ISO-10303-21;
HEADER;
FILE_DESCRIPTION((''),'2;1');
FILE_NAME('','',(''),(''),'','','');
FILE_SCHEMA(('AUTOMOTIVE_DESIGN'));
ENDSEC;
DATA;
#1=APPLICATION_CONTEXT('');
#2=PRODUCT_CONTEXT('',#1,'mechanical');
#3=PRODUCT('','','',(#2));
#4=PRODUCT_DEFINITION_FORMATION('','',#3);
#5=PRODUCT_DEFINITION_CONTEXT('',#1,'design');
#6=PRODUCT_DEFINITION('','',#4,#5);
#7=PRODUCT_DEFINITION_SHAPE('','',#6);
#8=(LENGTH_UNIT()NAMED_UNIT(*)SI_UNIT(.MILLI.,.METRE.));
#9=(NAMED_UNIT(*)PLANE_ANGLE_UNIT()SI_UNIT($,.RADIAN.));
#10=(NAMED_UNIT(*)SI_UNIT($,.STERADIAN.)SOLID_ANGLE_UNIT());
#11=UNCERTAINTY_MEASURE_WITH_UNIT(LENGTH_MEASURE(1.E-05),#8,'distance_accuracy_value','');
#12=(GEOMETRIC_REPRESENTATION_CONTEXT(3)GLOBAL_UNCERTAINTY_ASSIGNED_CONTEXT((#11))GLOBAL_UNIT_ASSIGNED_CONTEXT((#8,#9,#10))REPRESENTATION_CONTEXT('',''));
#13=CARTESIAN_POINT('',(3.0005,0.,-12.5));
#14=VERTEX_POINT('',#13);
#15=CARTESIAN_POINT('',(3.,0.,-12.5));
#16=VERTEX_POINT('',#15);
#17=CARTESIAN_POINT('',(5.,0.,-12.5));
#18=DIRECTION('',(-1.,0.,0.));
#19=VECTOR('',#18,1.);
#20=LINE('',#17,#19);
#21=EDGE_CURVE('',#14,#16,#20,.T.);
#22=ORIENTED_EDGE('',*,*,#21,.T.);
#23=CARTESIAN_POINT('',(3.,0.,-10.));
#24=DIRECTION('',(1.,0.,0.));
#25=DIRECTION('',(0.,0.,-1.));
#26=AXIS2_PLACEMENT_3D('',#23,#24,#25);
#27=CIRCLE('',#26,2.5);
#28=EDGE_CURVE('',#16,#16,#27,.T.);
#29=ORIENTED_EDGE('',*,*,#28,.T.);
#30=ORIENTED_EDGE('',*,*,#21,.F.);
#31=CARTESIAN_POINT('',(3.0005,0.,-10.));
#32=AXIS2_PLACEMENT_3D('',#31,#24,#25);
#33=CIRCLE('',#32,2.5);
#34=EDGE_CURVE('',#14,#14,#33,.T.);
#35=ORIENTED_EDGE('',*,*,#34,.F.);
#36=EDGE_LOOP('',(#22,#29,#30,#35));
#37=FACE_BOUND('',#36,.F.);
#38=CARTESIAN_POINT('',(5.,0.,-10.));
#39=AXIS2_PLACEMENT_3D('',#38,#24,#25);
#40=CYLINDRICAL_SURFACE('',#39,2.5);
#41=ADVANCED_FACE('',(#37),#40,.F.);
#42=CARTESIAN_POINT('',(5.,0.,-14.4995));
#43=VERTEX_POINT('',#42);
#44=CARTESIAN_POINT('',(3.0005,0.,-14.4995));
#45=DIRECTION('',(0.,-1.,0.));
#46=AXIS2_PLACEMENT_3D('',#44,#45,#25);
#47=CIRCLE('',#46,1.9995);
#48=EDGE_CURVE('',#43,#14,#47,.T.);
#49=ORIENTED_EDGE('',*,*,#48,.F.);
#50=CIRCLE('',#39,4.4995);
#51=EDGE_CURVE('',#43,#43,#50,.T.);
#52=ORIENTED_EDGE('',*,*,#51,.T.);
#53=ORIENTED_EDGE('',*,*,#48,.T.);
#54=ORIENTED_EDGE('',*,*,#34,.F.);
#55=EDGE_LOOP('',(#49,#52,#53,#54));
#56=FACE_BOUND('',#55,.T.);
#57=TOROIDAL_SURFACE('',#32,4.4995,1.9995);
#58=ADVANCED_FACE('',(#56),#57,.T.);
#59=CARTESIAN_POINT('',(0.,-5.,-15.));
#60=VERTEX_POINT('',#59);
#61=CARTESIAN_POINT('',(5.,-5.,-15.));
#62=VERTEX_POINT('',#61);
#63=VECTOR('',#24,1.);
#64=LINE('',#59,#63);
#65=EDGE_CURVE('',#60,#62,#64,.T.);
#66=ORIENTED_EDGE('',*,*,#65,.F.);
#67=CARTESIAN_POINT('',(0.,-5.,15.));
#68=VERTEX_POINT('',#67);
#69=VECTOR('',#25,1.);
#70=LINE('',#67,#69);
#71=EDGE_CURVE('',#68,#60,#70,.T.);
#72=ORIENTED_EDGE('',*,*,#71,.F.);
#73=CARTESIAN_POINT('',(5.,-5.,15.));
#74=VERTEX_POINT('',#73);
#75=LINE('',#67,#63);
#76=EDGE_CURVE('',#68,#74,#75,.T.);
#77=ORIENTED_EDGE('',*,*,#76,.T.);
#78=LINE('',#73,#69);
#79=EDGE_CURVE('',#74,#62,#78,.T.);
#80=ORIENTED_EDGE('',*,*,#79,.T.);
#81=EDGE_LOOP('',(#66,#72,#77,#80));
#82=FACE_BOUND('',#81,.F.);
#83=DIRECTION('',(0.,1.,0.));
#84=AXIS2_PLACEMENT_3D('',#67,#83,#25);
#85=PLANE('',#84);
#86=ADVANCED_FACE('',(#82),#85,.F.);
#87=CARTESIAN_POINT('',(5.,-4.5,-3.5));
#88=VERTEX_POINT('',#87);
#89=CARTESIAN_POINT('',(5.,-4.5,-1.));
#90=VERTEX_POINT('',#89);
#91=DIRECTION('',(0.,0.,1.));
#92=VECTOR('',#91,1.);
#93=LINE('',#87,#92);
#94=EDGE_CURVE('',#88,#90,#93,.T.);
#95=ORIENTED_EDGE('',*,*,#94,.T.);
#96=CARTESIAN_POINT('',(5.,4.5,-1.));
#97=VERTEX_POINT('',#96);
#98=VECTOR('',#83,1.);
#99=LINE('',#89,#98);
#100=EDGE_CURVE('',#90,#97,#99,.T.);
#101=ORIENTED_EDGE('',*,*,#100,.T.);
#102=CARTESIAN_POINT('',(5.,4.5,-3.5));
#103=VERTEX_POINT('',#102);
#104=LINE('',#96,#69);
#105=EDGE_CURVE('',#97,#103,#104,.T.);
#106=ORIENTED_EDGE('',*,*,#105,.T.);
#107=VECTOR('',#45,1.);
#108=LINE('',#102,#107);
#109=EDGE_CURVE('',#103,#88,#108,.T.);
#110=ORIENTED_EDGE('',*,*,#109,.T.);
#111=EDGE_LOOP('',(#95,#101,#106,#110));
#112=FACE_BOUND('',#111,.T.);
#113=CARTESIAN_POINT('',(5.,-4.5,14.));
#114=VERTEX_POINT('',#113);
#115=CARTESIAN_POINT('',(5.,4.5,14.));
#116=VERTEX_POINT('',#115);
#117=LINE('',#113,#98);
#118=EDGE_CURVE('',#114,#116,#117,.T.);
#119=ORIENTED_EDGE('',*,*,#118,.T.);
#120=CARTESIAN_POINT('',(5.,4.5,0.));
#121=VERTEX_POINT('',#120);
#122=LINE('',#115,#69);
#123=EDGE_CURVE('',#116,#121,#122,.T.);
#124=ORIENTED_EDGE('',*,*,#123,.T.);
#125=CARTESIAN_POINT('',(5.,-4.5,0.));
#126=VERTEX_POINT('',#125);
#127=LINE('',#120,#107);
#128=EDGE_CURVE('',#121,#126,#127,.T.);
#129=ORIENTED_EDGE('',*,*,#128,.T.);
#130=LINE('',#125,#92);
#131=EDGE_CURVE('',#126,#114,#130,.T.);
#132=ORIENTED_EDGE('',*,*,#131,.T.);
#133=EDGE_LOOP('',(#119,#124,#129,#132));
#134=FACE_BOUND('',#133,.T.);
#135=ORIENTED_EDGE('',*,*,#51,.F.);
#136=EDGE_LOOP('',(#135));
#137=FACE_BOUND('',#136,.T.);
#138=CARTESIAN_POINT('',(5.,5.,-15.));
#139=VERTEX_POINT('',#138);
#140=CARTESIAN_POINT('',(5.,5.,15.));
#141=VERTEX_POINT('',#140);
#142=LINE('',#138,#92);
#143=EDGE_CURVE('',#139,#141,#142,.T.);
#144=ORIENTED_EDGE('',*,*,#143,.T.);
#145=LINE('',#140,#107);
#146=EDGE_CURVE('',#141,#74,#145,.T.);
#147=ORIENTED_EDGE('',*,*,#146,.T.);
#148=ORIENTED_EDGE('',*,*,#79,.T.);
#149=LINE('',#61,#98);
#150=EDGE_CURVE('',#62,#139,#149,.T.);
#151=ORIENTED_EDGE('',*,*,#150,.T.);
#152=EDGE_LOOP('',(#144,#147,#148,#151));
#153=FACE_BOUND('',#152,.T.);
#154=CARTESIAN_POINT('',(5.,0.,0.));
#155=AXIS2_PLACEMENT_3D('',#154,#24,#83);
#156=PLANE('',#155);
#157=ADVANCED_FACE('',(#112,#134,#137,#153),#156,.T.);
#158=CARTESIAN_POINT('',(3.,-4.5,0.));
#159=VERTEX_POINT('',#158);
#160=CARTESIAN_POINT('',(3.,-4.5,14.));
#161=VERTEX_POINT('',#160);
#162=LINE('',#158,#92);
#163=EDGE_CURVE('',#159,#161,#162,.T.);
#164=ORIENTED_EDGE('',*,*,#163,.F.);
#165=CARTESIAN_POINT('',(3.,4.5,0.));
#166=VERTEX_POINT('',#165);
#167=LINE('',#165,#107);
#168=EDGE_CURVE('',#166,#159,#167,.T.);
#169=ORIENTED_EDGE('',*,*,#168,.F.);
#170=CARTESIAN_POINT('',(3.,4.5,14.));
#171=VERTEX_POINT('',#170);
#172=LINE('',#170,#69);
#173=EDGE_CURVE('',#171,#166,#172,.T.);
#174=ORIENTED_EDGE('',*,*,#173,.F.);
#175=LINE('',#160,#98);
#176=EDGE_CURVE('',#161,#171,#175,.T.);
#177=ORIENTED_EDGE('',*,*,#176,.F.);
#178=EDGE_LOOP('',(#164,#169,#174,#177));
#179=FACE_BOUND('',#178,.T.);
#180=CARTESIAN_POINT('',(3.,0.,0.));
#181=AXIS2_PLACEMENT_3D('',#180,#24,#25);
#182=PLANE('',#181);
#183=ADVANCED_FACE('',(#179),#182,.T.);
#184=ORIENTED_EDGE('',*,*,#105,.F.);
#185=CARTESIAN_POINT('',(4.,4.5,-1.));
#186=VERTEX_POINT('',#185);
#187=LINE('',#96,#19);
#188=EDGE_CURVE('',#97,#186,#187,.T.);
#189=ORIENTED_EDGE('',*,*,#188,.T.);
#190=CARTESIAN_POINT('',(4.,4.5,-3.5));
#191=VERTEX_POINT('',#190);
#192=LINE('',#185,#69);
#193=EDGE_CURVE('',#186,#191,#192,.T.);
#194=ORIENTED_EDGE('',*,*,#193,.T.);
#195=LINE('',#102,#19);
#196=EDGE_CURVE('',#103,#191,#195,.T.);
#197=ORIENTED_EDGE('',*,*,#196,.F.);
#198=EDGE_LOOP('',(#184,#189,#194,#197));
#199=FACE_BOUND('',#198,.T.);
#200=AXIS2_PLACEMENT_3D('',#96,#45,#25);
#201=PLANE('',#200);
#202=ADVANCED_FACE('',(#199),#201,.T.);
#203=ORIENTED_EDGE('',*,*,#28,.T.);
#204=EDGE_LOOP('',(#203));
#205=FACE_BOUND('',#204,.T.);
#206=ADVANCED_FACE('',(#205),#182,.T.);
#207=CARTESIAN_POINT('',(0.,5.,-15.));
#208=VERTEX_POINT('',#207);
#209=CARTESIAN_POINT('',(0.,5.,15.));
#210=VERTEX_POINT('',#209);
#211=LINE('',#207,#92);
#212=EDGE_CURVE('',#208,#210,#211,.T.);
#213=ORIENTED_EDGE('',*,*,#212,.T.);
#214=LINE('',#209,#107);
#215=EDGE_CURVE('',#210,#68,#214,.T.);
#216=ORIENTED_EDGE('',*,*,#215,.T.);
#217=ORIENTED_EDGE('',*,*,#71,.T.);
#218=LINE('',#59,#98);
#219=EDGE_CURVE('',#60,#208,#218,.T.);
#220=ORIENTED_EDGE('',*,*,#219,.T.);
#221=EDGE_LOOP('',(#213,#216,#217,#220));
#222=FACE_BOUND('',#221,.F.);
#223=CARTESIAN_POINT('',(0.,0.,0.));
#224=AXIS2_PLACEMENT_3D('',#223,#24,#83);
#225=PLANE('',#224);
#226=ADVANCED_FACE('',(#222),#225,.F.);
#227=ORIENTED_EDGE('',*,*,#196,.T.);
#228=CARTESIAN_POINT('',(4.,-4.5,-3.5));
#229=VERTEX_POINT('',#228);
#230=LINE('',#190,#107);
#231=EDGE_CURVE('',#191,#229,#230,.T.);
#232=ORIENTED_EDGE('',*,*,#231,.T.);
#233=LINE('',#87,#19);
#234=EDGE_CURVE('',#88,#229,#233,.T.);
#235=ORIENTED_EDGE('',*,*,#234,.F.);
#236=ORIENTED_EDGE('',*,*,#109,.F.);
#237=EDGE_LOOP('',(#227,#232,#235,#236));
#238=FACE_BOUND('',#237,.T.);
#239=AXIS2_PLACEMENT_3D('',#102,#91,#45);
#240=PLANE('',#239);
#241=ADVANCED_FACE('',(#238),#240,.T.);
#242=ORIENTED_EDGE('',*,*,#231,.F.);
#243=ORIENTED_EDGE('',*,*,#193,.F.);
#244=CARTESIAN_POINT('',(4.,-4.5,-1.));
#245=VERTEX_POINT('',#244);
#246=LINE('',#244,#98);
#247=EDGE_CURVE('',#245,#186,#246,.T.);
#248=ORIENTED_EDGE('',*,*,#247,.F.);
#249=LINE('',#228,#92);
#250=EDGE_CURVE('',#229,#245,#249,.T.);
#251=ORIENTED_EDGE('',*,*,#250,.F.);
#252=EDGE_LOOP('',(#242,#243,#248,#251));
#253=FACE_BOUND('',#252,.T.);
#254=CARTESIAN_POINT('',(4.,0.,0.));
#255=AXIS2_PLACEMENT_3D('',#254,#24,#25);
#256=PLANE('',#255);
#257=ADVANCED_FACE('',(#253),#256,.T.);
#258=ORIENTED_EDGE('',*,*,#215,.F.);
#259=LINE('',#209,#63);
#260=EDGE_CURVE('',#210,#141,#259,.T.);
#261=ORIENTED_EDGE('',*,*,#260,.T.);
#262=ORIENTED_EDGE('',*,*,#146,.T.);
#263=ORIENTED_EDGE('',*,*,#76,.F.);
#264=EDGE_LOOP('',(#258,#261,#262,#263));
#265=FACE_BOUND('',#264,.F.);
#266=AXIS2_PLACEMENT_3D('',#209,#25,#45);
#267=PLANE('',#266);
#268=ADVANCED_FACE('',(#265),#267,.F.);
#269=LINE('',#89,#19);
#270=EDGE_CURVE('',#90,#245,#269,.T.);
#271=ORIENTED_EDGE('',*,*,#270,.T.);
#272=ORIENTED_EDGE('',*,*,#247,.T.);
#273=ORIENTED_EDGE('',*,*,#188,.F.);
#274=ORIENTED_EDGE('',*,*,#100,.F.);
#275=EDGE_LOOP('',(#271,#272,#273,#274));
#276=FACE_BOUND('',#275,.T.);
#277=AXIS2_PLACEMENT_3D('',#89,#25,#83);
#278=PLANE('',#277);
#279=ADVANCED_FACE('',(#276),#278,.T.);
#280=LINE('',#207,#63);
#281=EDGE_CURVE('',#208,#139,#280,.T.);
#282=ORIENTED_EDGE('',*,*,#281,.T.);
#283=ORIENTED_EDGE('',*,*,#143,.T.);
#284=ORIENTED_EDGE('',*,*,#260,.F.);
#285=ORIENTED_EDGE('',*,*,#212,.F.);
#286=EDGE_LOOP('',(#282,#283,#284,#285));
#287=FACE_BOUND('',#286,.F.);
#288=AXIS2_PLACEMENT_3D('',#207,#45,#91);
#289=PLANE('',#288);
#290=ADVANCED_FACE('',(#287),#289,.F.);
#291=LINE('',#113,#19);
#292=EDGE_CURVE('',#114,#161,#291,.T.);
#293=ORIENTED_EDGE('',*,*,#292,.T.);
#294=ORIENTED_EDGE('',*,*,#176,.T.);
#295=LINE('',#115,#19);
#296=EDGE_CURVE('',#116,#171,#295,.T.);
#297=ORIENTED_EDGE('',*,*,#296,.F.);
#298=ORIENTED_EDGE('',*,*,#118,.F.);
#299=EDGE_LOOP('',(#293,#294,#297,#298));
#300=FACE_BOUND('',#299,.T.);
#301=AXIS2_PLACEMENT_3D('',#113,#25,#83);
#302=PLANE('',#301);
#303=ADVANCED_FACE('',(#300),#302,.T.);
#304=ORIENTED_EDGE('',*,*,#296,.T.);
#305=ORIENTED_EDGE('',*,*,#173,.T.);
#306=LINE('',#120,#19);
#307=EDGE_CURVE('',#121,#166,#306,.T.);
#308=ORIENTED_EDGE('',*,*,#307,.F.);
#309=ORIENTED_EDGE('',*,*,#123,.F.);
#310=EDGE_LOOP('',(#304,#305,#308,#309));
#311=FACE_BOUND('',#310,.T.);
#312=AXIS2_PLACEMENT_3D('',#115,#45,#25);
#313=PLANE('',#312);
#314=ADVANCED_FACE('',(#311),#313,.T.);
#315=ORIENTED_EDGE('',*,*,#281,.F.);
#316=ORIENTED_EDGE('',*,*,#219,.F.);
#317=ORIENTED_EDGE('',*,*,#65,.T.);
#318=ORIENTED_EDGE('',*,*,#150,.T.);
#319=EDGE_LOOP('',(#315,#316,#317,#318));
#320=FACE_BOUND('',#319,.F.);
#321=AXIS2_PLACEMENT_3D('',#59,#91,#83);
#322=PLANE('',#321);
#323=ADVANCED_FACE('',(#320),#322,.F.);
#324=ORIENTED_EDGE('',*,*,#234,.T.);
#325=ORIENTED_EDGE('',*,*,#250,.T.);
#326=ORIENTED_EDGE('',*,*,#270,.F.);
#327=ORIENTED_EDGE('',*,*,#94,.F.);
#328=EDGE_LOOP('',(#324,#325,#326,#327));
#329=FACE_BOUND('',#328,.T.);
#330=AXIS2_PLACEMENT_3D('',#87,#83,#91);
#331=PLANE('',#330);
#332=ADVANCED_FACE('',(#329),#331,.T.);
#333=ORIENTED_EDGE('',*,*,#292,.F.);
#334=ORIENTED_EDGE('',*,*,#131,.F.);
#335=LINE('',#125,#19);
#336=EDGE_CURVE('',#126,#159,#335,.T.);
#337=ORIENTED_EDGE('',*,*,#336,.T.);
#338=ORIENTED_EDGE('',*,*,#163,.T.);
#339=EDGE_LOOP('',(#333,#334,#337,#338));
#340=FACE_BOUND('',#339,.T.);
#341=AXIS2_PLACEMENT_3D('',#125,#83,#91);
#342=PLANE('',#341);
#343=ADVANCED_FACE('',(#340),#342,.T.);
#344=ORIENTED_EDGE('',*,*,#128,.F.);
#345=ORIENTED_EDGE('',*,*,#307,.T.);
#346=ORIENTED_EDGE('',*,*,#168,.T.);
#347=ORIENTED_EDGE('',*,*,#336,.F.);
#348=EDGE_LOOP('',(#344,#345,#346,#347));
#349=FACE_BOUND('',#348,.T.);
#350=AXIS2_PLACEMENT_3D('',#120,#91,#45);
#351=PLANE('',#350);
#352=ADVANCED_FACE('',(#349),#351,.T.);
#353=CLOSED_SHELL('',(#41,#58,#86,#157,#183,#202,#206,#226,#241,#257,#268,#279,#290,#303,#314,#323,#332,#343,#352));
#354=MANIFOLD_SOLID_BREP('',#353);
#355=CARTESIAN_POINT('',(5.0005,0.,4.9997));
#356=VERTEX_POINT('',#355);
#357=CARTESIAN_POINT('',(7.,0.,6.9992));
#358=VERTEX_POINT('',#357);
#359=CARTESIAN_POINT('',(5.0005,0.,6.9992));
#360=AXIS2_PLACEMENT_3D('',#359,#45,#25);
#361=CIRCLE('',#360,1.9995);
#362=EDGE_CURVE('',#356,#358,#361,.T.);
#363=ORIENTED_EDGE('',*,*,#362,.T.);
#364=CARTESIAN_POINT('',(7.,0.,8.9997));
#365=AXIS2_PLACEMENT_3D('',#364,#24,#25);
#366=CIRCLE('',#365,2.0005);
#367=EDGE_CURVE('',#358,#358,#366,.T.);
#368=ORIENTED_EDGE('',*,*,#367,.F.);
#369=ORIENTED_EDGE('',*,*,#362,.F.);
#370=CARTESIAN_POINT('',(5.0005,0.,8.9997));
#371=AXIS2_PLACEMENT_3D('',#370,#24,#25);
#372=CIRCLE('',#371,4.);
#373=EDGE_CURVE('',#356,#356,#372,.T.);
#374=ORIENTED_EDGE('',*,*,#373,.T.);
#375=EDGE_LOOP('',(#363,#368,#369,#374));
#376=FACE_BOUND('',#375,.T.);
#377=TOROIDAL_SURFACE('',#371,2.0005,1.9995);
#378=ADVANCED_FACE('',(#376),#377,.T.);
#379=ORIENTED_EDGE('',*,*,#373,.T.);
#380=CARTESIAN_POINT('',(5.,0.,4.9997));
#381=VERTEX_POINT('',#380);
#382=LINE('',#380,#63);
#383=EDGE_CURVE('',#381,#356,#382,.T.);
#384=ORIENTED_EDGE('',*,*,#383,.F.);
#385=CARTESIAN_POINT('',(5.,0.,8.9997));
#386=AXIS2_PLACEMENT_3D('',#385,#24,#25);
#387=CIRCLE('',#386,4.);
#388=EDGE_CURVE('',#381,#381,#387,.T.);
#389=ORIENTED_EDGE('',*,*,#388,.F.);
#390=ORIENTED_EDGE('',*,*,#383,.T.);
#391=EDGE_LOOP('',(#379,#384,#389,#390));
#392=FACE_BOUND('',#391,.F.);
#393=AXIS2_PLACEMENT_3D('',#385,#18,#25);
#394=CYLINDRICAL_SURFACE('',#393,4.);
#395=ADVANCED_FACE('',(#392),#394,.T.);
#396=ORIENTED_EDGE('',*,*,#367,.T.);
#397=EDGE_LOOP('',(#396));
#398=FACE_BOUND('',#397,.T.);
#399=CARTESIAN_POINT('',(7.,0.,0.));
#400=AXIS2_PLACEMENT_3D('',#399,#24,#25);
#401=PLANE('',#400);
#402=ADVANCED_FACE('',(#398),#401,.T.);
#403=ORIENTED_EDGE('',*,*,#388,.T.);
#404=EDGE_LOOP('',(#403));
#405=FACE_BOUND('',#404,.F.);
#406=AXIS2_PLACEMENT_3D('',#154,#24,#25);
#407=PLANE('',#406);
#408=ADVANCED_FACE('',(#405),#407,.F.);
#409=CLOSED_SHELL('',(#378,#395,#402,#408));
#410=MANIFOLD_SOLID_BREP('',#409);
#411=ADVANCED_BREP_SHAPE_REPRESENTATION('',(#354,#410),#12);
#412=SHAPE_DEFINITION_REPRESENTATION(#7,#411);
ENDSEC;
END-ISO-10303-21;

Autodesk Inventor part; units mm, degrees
ref_plane "YZ Plane" through (0, 0, 0) normal (1, 0, 0) x (0, 1, 0)
ref_plane "XZ Plane" through (0, 0, 0) normal (0, 1, 0) x (-1, 0, 0)
ref_plane "XY Plane" through (0, 0, 0) normal (0, 0, 1) x (1, 0, 0)
sketch "草图1" plane through (0, 0, 0) normal (1, 0, 0) x (0, 1, 0)
  line L0 (5, 15) -> (-5, 15)
  line L1 (-5, 15) -> (-5, -15)
  line L2 (-5, -15) -> (5, -15)
  line L3 (5, -15) -> (5, 15)
  point P0 (0, 0)
  dimension "d0" = 10
  dimension "d1" = 30
extrude "拉伸1" add sketch "草图1" along normal blind 5
sketch "草图2" plane through (5, 0, 0) normal (1, 0, 0) x (0, 0, -1)
  line L0 (1, 4.5) -> (3.5, 4.5)
  line L1 (3.5, 4.5) -> (3.5, -4.5)
  line L2 (3.5, -4.5) -> (1, -4.5)
  line L3 (1, -4.5) -> (1, 4.5)
  point P0 (0, 0)
  dimension "d4" = 2.5
  dimension "d5" = 9
extrude "拉伸2" cut sketch "草图2" against normal blind 1
sketch "草图3" plane through (5, 0, 0) normal (1, 0, 0) x (0, 0, -1)
  circle A0 centre (10, 0) radius 2.5
  point P0 (0, 0)
  dimension "d8" = 5
extrude "拉伸3" cut sketch "草图3" against normal blind 2
fillet "圆角1" radius 2 1 edges at (5, 0, -7.5)
sketch "草图4" plane through (5, 0, 0) normal (1, 0, 0) x (0, 0, -1)
  line L0 (-14, 4.5) -> (0, 4.5)
  line L1 (0, 4.5) -> (0, -4.5)
  line L2 (0, -4.5) -> (-14, -4.5)
  line L3 (-14, -4.5) -> (-14, 4.5)
  circle A0 centre (-8.9997, 0) radius 4
  line L4 (-14, 4.5) -> (0, 4.5)
  line L5 (0, 4.5) -> (0, -4.5)
  line L6 (0, -4.5) -> (-14, -4.5)
  line L7 (-14, -4.5) -> (-14, 4.5)
  point P0 (0, 0)
  dimension "d12" = 9
  dimension "d13" = 8
sketch "草图5" plane through (5, 0, 0) normal (1, 0, 0) x (0, 0, -1)
  line L0 (-14, 4.5) -> (0, 4.5)
  line L1 (0, 4.5) -> (0, -4.5)
  line L2 (0, -4.5) -> (-14, -4.5)
  line L3 (-14, -4.5) -> (-14, 4.5)
  point P0 (0, 0)
  dimension "d14" = 14
  dimension "d15" = 9
extrude "拉伸4" cut sketch "草图5" against normal blind 2
extrude "拉伸5" add sketch "草图4" along normal blind 2 contours A0
fillet "圆角2" radius 2 1 edges at (7, 0, 12.9997)
properties part number "红外测距"
